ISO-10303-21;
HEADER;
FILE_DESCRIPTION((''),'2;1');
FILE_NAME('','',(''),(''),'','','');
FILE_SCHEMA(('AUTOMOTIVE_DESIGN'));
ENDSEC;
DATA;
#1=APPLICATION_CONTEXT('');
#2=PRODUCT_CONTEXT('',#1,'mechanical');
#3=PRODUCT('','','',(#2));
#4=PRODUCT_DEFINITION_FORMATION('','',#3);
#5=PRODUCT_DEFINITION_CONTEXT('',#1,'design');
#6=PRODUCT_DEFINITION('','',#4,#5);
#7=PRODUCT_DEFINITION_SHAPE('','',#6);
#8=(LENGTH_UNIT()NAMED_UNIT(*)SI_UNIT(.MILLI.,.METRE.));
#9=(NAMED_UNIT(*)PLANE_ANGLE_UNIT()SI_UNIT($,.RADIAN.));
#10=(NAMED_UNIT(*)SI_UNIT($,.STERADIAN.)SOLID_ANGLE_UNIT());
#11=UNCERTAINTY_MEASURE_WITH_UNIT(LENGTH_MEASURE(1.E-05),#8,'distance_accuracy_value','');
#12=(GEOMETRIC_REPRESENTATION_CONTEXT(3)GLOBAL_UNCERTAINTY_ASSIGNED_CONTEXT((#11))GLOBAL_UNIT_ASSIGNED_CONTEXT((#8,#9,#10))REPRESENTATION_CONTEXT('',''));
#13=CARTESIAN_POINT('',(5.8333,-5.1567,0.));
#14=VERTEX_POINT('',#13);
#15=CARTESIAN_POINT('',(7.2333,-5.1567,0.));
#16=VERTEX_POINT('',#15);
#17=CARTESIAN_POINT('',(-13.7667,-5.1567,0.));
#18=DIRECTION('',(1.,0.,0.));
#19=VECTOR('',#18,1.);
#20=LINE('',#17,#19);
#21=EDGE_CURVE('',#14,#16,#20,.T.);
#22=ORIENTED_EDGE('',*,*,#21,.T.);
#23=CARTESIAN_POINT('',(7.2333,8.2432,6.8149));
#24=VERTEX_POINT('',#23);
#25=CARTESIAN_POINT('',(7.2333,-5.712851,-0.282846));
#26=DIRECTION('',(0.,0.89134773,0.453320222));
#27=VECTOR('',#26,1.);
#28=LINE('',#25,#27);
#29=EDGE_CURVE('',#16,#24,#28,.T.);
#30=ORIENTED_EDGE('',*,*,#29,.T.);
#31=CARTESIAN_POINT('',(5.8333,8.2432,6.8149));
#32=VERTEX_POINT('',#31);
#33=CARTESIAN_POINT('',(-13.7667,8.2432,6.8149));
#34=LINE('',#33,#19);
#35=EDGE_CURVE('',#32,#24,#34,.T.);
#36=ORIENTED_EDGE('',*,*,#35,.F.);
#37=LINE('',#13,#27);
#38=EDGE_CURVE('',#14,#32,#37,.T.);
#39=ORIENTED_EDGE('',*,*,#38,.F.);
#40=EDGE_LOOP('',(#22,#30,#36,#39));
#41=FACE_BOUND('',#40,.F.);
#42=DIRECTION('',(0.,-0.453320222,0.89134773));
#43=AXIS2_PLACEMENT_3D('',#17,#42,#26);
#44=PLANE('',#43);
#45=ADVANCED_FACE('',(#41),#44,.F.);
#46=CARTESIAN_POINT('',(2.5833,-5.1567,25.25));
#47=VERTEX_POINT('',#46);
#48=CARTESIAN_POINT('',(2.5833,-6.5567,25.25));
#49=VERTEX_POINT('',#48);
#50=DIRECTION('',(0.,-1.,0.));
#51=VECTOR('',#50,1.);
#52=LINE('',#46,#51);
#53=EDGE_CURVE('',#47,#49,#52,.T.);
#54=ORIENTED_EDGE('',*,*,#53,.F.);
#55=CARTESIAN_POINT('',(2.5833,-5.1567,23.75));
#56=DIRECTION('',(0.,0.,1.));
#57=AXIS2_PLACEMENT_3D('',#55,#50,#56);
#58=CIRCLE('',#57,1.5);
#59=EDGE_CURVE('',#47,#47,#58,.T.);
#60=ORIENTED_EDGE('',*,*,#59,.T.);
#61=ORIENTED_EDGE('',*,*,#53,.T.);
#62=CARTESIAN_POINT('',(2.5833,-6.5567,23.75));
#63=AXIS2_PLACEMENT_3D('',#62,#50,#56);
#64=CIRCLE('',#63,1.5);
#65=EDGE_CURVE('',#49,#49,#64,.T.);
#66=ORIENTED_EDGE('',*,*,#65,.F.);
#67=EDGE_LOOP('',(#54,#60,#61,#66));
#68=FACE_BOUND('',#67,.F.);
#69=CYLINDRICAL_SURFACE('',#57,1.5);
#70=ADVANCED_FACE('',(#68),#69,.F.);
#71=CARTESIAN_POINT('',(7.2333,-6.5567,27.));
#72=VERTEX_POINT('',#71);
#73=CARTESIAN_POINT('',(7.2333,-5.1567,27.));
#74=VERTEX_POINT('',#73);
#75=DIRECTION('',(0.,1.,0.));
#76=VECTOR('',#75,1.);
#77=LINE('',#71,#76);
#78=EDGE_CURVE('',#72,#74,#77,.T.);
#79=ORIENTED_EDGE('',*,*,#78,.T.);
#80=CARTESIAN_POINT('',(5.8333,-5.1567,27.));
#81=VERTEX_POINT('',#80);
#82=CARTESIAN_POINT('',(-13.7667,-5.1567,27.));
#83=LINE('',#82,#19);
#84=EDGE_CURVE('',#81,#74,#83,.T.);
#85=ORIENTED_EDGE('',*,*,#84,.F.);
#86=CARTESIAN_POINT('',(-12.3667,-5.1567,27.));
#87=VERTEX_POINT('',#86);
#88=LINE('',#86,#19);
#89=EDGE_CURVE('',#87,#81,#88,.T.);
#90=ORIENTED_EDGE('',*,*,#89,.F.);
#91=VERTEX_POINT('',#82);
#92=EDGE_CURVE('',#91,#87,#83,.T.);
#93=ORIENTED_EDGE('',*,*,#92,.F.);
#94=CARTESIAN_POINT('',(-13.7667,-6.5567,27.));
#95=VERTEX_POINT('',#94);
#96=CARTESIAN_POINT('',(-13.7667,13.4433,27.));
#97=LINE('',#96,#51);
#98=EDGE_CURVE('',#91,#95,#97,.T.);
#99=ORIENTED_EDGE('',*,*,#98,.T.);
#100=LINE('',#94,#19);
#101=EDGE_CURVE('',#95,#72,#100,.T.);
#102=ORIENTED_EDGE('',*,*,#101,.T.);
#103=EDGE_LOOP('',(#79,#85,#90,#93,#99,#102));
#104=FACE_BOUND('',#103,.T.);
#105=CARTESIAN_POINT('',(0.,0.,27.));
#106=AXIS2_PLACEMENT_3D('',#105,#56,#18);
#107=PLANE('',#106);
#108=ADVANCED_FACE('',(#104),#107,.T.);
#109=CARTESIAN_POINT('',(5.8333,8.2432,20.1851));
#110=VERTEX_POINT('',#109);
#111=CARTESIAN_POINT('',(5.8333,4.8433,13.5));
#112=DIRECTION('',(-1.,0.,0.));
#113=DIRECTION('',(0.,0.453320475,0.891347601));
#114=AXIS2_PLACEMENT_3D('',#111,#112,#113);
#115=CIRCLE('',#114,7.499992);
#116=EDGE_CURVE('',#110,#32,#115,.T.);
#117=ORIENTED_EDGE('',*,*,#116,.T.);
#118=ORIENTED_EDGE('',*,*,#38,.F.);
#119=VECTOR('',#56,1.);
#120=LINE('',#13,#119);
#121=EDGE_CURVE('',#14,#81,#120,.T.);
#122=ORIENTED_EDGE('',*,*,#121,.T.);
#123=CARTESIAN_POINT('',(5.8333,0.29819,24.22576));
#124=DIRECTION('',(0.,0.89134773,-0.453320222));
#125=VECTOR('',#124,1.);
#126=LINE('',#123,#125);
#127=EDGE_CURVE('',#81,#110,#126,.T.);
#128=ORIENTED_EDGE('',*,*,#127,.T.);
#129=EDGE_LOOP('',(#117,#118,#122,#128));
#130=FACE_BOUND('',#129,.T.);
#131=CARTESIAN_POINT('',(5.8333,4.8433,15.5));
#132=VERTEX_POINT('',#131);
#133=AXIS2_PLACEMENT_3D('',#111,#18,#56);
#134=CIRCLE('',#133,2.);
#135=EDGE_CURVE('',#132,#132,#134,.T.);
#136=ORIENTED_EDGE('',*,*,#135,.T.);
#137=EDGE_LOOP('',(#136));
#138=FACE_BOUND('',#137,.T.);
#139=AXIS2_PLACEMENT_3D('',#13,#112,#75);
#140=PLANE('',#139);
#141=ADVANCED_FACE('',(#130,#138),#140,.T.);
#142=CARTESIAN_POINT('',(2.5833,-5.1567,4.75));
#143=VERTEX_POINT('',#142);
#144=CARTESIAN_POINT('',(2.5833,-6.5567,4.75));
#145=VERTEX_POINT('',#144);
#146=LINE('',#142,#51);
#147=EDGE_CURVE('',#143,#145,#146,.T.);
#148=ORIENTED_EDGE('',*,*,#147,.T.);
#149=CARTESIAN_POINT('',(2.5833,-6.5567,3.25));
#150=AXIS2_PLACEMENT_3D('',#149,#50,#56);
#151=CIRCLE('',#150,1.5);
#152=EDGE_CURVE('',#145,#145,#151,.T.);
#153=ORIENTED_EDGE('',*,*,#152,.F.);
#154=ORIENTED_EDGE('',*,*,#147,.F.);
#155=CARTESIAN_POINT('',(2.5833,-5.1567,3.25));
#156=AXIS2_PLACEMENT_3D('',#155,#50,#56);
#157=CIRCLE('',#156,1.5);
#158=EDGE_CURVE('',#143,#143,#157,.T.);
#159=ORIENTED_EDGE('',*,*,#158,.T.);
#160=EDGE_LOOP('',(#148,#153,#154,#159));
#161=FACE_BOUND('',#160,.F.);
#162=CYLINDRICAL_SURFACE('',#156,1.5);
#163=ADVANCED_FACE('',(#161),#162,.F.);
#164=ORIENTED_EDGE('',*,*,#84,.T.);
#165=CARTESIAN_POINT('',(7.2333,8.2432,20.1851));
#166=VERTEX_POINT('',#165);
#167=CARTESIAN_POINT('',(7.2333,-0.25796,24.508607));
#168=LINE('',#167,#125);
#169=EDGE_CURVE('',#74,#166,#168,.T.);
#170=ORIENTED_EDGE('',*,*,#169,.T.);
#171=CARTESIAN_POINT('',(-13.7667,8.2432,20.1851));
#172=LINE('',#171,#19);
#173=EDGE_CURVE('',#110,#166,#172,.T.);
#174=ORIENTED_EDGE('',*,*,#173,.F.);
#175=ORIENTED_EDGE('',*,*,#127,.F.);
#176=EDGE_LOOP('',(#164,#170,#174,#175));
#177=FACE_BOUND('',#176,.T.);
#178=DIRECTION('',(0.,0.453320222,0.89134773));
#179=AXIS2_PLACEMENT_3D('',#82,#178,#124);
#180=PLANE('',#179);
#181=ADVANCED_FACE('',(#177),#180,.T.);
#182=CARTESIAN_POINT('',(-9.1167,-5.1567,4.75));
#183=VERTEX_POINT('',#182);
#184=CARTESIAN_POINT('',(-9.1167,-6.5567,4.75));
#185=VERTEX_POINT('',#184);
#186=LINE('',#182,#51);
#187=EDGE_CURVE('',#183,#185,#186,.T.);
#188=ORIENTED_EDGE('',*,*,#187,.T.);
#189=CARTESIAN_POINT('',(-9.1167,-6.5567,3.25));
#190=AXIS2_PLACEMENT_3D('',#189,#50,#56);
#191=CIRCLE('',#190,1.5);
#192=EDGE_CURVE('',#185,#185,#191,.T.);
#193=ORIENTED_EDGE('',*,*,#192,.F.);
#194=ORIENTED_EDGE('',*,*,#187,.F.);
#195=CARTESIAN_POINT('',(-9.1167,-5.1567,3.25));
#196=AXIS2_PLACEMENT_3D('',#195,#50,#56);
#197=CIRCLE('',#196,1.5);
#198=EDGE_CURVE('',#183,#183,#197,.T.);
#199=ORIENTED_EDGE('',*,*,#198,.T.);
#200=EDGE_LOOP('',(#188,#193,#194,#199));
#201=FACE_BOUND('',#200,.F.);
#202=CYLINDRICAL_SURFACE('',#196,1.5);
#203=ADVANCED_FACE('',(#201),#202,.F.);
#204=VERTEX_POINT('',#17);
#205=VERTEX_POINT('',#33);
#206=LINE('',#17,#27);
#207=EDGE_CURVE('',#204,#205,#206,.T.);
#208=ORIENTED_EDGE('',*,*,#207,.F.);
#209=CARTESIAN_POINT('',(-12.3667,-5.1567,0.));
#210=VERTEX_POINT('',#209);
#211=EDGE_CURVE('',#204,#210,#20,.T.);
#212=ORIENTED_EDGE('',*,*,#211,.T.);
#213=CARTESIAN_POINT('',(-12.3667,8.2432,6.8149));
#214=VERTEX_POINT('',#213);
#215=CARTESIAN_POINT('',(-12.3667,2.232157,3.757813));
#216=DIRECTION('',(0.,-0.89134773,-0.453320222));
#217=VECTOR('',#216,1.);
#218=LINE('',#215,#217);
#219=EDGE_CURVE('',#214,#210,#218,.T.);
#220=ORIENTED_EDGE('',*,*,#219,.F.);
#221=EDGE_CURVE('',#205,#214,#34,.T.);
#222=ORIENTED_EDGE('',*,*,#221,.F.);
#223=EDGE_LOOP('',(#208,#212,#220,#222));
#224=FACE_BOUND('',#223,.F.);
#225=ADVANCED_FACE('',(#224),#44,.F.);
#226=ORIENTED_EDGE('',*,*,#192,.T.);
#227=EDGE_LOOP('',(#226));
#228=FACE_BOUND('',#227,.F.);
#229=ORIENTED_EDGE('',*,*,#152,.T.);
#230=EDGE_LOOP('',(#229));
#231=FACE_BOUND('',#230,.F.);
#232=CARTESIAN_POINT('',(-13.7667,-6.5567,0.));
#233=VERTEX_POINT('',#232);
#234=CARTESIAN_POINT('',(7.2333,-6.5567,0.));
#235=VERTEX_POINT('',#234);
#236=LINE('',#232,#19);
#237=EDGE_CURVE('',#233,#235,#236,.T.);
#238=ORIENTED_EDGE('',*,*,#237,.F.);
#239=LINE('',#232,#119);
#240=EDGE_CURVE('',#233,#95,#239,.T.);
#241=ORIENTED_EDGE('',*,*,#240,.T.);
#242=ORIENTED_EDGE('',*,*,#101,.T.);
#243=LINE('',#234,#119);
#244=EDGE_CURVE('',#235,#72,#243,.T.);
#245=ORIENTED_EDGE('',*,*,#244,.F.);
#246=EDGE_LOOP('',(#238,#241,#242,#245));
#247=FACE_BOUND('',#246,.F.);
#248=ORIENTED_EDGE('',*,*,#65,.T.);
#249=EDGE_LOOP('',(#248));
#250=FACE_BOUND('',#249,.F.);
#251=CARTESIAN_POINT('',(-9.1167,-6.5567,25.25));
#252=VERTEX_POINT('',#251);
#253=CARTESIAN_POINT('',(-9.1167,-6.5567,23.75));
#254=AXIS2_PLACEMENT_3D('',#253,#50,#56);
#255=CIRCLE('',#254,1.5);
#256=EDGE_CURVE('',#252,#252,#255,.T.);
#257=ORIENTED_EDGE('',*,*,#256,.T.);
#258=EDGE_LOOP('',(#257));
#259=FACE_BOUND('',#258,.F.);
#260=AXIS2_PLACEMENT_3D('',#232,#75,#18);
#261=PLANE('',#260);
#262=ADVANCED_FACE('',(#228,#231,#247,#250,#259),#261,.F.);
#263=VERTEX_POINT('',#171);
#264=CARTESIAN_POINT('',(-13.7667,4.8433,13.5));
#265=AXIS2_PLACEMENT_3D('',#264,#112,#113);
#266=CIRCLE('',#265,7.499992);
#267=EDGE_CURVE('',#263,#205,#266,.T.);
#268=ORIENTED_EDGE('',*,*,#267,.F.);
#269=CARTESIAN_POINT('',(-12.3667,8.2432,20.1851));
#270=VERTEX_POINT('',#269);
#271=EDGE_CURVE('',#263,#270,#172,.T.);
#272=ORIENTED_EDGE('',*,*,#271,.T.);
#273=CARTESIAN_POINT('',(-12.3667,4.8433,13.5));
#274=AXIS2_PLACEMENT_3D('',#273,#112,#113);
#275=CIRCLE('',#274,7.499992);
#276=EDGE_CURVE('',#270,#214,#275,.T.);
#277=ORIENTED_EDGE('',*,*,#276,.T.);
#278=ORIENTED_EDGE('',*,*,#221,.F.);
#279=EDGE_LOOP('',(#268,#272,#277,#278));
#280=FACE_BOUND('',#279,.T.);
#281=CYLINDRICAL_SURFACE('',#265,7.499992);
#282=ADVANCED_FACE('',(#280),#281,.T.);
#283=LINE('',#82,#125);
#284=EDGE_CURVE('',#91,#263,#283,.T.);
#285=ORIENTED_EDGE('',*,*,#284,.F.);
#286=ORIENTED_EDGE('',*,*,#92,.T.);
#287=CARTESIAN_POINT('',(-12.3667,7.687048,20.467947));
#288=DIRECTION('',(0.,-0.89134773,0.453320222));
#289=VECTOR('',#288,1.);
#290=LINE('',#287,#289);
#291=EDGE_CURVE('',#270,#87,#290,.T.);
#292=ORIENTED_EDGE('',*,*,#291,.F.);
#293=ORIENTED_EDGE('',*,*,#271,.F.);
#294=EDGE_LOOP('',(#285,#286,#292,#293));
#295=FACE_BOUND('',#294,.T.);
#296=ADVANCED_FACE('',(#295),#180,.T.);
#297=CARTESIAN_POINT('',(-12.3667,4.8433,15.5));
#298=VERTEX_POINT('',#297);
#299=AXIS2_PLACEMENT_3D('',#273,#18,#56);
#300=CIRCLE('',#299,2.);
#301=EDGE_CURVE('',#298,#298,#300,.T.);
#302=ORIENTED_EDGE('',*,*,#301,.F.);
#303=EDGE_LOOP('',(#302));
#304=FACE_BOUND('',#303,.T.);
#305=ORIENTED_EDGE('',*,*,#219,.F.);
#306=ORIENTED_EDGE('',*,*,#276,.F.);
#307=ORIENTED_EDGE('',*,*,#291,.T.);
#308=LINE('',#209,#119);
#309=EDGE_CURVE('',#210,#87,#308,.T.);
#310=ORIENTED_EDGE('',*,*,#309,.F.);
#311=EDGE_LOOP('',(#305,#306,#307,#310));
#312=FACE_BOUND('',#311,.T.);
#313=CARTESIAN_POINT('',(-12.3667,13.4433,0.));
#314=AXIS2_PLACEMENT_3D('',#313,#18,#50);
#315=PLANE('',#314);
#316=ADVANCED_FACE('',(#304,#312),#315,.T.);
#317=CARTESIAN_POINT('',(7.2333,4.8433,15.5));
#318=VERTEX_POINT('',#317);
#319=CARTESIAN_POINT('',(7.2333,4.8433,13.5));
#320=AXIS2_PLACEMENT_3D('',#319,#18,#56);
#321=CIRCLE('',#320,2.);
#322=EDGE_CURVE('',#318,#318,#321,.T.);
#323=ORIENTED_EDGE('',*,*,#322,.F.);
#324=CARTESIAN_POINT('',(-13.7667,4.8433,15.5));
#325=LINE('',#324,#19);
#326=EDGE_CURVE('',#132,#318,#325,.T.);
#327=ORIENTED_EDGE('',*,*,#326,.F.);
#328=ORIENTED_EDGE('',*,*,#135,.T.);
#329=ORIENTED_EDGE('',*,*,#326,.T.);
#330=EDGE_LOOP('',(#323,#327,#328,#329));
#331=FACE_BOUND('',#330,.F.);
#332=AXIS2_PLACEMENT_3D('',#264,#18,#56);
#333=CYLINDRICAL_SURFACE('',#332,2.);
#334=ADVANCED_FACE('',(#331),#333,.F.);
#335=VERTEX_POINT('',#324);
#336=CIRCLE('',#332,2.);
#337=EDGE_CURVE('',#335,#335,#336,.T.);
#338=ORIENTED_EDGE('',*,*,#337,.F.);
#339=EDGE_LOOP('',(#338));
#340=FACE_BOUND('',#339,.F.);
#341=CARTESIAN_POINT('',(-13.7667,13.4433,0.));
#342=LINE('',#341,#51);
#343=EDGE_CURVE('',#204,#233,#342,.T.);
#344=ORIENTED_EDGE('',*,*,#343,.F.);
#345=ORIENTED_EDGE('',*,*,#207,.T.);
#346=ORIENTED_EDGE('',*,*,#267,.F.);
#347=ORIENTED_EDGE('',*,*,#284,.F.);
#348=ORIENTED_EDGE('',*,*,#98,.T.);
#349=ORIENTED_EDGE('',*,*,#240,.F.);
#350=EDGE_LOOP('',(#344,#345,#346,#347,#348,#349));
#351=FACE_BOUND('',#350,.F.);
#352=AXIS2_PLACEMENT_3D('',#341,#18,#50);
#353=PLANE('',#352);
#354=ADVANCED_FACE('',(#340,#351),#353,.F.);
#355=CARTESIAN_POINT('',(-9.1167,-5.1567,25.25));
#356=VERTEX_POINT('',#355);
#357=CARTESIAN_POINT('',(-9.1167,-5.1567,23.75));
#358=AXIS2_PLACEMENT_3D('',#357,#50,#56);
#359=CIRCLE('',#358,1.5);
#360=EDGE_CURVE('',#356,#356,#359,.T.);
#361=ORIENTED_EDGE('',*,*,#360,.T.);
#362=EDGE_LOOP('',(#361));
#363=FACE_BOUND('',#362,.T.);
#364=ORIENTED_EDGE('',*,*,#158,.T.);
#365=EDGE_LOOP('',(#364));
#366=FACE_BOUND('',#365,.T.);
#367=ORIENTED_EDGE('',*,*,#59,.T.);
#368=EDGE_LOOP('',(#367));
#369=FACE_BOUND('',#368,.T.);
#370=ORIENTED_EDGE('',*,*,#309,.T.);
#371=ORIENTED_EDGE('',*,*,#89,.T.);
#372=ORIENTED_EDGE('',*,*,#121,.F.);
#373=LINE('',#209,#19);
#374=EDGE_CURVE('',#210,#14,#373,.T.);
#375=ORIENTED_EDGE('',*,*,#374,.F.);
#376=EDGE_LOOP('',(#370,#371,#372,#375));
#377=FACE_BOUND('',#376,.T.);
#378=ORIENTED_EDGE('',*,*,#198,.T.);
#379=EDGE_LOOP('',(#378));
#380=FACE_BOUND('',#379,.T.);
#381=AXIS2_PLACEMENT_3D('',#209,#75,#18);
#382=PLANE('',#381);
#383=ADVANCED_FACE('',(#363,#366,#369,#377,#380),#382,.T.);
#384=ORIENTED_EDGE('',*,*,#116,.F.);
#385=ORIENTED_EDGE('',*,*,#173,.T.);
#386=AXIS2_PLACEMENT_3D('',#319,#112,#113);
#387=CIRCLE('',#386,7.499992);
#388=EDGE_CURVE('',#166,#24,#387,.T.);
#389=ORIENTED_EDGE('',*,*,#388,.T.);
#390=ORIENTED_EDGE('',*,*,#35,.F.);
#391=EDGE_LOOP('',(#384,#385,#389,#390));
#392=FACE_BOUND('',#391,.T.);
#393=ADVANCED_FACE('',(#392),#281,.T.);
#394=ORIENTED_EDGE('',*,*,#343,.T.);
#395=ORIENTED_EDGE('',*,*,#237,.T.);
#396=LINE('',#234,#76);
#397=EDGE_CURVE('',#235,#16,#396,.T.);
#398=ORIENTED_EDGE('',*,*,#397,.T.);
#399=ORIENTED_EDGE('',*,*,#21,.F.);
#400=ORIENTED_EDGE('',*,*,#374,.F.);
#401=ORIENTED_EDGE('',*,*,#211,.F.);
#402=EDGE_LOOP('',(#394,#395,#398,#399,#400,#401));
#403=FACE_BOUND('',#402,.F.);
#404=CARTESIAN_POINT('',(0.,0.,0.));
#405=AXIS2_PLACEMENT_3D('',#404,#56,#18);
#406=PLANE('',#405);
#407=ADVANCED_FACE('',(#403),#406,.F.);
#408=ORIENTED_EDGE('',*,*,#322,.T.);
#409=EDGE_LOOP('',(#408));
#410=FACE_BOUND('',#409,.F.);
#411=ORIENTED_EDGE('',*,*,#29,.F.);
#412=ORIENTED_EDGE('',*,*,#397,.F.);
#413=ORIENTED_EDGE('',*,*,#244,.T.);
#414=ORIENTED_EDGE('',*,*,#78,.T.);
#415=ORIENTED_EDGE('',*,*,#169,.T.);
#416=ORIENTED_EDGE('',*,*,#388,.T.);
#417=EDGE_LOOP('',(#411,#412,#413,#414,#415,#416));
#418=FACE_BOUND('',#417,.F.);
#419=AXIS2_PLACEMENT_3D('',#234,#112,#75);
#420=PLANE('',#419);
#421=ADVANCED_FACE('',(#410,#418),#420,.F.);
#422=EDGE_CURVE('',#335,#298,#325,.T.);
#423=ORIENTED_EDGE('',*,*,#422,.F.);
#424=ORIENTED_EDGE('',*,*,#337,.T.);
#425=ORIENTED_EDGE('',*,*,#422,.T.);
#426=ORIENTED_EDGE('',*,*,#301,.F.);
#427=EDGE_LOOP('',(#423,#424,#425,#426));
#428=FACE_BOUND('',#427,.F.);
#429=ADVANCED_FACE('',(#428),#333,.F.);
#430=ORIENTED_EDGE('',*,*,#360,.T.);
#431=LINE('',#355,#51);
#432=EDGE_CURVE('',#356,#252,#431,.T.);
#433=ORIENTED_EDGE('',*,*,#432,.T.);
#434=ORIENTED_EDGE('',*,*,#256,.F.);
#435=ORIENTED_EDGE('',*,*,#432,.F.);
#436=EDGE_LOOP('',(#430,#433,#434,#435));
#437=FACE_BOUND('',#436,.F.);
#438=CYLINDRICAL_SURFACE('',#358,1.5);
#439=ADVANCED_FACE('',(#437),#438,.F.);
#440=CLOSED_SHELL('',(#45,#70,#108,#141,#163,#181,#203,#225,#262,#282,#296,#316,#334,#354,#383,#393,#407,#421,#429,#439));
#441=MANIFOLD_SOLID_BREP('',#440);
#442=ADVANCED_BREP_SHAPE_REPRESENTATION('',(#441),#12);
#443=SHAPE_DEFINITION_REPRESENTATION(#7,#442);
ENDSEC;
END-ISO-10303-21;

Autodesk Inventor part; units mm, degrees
ref_plane "YZ Plane" through (0, 0, 0) normal (1, 0, 0) x (0, 1, 0)
ref_plane "XZ Plane" through (0, 0, 0) normal (0, 1, 0) x (-1, 0, 0)
ref_plane "XY Plane" through (0, 0, 0) normal (0, 0, 1) x (1, 0, 0)
sketch "Szkic1" plane through (0, 0, 0) normal (0, 0, 1) x (1, 0, 0)
  line L0 (-13.7667, 13.4433) -> (-13.7667, -6.5567)
  line L1 (-13.7667, -6.5567) -> (7.2333, -6.5567)
  line L2 (7.2333, -6.5567) -> (7.2333, 13.4433)
  line L3 (7.2333, 13.4433) -> (5.8333, 13.4433)
  line L4 (-13.7667, 13.4433) -> (-12.3667, 13.4433)
  line L5 (-12.3667, -5.1567) -> (5.8333, -5.1567)
  line L6 (5.8333, -5.1567) -> (5.8333, 13.4433)
  line L7 (-12.3667, 13.4433) -> (-12.3667, -5.1567)
  point P0 (0, 0)
  dimension "d0" = 21
  dimension "d1" = 20
  dimension "d2" = 1.4
  dimension "d3" = 1.4
  dimension "d4" = 1.4
extrude "Wyciągnięcie proste1" add sketch "Szkic1" along normal blind 27
sketch "Szkic2" plane through (-13.7667, -6.5567, 0) normal (-1, 0, 0) x (0, 0, 1)
  line L0 (0, 20) -> (0, 0) projected
  line L1 (0, 0) -> (27, 0) projected
  line L2 (27, 20) -> (27, 0) projected
  line L3 (0, 20) -> (27, 20) projected
  line L4 (0, 1.4) -> (27, 1.4) projected
  arc A0 (20.1851, 14.7999) -> (6.8149, 14.7999) centre (13.5, 11.4) ccw
  line L5 (27, 1.4) -> (27, 20) projected
  line L6 (27, 1.4) -> (20.1851, 14.7999)
  line L7 (0, 1.4) -> (0, 20) projected
  line L8 (0, 1.4) -> (6.8149, 14.7999)
  line L9 (6.8149, 14.7999) -> (9.4595, 20)
  line L10 (20.1851, 14.7999) -> (17.5405, 20)
  point P0 (0, 6.5567)
  dimension "d7" = 27
  dimension "d8" = 13.5
  dimension "d9" = 10
  dimension "d10" = 15
extrude "Wyciągnięcie proste2" cut sketch "Szkic2" against normal through all contours L3 L9 L8 L0 | L3 L10 A0 L9 | L6 L10 L3 L2
hole "Otwór1" at (-13.7667, 4.8433, 13.5) direction (1, 0, 0) diameter 4 end through all
sketch "Szkic3" plane through (-12.3667, -5.1567, 0) normal (0, 1, 0) x (1, 0, 0)
  line L0 (18.2, 0) -> (0, 0) projected
  line L1 (0, 0) -> (0, -27) projected
  line L2 (18.2, -27) -> (0, -27) projected
  line L3 (18.2, 0) -> (18.2, -27) projected
  line L4 (18.2, -20.5) -> (0, -20.5)
  line L5 (18.2, -6.5) -> (0, -6.5)
  point P0 (12.3667, 0)
  point P1 (14.95, -23.75)
  point P2 (3.25, -23.75)
  point P3 (14.95, -3.25)
  point P4 (3.25, -3.25)
  dimension "d20" = 14
  dimension "d21" = 27
  dimension "d22" = 6.5
  dimension "d23" = 3.25
  dimension "d24" = 3.25
  dimension "d25" = 3.25
  dimension "d26" = 3.25
  dimension "d27" = 3.25
  dimension "d28" = 3.25
  dimension "d29" = 3.25
  dimension "d30" = 3.25
hole "Otwór2" at (2.5833, -5.1567, 23.75) at (-9.1167, -5.1567, 23.75) at (2.5833, -5.1567, 3.25) at (-9.1167, -5.1567, 3.25) direction (0, -1, 0) diameter 3 end through all
equation "\"d8\" = 0.5 * d7"
equation "\"d22\" = -0.5 * d20 + 0.5 * d21"
equation "\"d23\" = 0.5 * d22"
equation "\"d24\" = d23"
equation "\"d25\" = d23"
equation "\"d26\" = d23"
equation "\"d27\" = d23"
equation "\"d28\" = d23"
equation "\"d29\" = d23"
equation "\"d30\" = d23"
properties part number "CNCM_Y_Axis_Tensioning_System_C_Sec_Idler"
